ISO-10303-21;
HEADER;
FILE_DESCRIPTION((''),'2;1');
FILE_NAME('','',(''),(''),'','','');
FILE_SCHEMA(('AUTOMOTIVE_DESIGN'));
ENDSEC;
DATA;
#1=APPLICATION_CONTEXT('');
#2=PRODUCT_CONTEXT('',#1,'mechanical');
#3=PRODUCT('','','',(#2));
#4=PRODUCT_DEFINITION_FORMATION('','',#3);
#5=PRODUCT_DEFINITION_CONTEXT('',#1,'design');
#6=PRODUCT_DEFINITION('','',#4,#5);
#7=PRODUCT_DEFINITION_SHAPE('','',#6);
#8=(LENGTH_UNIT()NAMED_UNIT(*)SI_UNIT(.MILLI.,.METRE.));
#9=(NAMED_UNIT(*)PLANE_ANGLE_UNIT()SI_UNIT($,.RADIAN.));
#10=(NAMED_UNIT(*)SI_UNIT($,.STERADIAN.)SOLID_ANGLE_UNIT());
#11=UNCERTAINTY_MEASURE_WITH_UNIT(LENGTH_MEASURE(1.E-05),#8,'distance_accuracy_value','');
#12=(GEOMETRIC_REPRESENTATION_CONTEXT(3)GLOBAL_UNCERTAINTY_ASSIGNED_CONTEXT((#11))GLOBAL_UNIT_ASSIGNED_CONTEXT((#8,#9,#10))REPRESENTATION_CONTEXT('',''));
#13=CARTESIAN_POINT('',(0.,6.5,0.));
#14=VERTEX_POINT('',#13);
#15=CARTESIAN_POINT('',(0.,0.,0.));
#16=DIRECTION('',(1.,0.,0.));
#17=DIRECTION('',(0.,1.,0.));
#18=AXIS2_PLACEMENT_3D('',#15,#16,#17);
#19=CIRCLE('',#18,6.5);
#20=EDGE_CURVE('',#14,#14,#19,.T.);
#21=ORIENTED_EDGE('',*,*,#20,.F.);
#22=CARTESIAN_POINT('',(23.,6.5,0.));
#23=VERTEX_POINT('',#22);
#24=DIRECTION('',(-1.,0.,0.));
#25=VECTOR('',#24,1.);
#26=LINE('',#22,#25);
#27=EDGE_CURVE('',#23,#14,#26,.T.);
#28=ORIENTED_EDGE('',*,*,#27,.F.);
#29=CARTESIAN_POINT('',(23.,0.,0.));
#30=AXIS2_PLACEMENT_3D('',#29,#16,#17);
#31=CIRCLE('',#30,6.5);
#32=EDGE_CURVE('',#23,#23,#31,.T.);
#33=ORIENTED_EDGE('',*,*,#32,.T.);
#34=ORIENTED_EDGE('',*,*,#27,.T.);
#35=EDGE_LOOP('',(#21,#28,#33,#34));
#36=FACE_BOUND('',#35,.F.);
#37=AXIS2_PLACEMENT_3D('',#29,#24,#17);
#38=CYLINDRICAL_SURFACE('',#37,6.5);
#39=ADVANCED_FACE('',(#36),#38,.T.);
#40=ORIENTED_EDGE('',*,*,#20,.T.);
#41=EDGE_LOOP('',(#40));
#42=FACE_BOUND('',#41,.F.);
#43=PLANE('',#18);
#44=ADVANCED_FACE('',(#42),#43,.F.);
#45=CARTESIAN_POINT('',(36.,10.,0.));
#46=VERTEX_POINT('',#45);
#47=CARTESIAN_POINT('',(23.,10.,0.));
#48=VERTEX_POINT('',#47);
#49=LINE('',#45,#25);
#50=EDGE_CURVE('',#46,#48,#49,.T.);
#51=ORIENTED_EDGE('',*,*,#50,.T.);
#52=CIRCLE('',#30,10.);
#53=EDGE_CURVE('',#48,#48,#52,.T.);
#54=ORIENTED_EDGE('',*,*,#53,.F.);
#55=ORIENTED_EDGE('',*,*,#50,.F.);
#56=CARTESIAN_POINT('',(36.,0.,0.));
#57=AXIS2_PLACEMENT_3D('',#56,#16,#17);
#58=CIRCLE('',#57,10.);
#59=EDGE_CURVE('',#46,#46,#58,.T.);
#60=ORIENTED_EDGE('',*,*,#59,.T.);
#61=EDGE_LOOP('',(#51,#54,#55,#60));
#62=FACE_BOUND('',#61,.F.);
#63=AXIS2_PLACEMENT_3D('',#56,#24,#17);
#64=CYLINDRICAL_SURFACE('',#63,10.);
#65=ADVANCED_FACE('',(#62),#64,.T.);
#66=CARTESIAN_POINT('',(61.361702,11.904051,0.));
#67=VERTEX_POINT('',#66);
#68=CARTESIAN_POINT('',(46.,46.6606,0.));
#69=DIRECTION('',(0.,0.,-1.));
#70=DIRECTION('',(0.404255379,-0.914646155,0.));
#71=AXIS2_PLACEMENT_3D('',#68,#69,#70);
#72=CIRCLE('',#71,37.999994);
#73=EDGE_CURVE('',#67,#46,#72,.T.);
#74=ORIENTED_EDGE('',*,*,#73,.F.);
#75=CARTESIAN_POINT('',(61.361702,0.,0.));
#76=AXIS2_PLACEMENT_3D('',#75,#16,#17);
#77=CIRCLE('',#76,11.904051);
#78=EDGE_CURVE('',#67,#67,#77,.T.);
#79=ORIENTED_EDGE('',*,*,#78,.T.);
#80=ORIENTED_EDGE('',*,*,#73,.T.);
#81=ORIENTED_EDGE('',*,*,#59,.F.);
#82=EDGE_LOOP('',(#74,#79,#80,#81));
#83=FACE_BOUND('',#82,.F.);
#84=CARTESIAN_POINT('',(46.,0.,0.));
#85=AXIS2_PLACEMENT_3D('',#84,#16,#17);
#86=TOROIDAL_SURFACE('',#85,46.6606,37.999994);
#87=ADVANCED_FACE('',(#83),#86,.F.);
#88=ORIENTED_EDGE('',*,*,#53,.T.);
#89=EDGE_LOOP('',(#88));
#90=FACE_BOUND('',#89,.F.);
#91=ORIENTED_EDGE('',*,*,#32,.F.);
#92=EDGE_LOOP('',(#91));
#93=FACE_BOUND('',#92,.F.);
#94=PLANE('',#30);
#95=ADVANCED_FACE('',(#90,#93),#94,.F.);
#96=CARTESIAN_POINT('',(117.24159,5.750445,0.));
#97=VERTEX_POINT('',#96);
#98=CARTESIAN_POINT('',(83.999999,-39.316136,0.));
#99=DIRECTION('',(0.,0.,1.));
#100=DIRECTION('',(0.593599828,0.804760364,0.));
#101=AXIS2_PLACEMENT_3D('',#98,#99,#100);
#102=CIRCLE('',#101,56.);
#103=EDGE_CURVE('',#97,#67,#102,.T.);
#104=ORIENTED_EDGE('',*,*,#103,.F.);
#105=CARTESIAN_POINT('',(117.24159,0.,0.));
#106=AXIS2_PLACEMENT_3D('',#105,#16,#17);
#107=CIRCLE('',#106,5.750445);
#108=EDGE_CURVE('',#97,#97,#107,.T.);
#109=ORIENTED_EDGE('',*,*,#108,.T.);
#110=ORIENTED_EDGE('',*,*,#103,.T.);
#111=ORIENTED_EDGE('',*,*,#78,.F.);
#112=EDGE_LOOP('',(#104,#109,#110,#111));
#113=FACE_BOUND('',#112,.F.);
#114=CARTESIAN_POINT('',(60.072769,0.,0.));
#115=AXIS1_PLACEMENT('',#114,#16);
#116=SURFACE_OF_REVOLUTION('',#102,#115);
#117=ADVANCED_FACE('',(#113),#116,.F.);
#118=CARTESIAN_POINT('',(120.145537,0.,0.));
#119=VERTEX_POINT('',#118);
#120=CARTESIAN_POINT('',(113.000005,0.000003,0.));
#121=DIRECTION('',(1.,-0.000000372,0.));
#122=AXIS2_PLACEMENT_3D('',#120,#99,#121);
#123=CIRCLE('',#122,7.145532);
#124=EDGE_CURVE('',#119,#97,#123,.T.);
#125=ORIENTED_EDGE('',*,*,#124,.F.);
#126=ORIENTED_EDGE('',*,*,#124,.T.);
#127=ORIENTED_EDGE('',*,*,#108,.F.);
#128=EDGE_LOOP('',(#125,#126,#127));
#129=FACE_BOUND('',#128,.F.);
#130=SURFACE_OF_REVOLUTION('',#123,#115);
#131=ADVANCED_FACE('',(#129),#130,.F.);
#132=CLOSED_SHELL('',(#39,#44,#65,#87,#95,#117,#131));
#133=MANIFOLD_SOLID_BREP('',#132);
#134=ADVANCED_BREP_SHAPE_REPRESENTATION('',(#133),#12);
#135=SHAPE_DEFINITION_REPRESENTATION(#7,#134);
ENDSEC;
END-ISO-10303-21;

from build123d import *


with BuildPart() as f1:
    # F0 (on Top) → F1 (revolve)
    with BuildSketch(Plane.XY):
        with BuildLine():
            Line((0, 6.5), (0, 0))
            Line((0, 0), (120.145537, 0))
            ThreePointArc((120.145537, 0), (119.378368, 3.221045), (117.24159, 5.750445))
            ThreePointArc((117.24159, 5.750445), (90.129777, 16.34737), (61.361702, 11.904051))
            ThreePointArc((61.361702, 11.904051), (48.844875, 8.767246), (36, 10))
            Line((36, 10), (23, 10))
            Line((23, 10), (23, 6.5))
            Line((23, 6.5), (0, 6.5))
        make_face()
    revolve(axis=Axis((60.072769, 0, 0), (1, 0, 0)))


solid = f1.part
